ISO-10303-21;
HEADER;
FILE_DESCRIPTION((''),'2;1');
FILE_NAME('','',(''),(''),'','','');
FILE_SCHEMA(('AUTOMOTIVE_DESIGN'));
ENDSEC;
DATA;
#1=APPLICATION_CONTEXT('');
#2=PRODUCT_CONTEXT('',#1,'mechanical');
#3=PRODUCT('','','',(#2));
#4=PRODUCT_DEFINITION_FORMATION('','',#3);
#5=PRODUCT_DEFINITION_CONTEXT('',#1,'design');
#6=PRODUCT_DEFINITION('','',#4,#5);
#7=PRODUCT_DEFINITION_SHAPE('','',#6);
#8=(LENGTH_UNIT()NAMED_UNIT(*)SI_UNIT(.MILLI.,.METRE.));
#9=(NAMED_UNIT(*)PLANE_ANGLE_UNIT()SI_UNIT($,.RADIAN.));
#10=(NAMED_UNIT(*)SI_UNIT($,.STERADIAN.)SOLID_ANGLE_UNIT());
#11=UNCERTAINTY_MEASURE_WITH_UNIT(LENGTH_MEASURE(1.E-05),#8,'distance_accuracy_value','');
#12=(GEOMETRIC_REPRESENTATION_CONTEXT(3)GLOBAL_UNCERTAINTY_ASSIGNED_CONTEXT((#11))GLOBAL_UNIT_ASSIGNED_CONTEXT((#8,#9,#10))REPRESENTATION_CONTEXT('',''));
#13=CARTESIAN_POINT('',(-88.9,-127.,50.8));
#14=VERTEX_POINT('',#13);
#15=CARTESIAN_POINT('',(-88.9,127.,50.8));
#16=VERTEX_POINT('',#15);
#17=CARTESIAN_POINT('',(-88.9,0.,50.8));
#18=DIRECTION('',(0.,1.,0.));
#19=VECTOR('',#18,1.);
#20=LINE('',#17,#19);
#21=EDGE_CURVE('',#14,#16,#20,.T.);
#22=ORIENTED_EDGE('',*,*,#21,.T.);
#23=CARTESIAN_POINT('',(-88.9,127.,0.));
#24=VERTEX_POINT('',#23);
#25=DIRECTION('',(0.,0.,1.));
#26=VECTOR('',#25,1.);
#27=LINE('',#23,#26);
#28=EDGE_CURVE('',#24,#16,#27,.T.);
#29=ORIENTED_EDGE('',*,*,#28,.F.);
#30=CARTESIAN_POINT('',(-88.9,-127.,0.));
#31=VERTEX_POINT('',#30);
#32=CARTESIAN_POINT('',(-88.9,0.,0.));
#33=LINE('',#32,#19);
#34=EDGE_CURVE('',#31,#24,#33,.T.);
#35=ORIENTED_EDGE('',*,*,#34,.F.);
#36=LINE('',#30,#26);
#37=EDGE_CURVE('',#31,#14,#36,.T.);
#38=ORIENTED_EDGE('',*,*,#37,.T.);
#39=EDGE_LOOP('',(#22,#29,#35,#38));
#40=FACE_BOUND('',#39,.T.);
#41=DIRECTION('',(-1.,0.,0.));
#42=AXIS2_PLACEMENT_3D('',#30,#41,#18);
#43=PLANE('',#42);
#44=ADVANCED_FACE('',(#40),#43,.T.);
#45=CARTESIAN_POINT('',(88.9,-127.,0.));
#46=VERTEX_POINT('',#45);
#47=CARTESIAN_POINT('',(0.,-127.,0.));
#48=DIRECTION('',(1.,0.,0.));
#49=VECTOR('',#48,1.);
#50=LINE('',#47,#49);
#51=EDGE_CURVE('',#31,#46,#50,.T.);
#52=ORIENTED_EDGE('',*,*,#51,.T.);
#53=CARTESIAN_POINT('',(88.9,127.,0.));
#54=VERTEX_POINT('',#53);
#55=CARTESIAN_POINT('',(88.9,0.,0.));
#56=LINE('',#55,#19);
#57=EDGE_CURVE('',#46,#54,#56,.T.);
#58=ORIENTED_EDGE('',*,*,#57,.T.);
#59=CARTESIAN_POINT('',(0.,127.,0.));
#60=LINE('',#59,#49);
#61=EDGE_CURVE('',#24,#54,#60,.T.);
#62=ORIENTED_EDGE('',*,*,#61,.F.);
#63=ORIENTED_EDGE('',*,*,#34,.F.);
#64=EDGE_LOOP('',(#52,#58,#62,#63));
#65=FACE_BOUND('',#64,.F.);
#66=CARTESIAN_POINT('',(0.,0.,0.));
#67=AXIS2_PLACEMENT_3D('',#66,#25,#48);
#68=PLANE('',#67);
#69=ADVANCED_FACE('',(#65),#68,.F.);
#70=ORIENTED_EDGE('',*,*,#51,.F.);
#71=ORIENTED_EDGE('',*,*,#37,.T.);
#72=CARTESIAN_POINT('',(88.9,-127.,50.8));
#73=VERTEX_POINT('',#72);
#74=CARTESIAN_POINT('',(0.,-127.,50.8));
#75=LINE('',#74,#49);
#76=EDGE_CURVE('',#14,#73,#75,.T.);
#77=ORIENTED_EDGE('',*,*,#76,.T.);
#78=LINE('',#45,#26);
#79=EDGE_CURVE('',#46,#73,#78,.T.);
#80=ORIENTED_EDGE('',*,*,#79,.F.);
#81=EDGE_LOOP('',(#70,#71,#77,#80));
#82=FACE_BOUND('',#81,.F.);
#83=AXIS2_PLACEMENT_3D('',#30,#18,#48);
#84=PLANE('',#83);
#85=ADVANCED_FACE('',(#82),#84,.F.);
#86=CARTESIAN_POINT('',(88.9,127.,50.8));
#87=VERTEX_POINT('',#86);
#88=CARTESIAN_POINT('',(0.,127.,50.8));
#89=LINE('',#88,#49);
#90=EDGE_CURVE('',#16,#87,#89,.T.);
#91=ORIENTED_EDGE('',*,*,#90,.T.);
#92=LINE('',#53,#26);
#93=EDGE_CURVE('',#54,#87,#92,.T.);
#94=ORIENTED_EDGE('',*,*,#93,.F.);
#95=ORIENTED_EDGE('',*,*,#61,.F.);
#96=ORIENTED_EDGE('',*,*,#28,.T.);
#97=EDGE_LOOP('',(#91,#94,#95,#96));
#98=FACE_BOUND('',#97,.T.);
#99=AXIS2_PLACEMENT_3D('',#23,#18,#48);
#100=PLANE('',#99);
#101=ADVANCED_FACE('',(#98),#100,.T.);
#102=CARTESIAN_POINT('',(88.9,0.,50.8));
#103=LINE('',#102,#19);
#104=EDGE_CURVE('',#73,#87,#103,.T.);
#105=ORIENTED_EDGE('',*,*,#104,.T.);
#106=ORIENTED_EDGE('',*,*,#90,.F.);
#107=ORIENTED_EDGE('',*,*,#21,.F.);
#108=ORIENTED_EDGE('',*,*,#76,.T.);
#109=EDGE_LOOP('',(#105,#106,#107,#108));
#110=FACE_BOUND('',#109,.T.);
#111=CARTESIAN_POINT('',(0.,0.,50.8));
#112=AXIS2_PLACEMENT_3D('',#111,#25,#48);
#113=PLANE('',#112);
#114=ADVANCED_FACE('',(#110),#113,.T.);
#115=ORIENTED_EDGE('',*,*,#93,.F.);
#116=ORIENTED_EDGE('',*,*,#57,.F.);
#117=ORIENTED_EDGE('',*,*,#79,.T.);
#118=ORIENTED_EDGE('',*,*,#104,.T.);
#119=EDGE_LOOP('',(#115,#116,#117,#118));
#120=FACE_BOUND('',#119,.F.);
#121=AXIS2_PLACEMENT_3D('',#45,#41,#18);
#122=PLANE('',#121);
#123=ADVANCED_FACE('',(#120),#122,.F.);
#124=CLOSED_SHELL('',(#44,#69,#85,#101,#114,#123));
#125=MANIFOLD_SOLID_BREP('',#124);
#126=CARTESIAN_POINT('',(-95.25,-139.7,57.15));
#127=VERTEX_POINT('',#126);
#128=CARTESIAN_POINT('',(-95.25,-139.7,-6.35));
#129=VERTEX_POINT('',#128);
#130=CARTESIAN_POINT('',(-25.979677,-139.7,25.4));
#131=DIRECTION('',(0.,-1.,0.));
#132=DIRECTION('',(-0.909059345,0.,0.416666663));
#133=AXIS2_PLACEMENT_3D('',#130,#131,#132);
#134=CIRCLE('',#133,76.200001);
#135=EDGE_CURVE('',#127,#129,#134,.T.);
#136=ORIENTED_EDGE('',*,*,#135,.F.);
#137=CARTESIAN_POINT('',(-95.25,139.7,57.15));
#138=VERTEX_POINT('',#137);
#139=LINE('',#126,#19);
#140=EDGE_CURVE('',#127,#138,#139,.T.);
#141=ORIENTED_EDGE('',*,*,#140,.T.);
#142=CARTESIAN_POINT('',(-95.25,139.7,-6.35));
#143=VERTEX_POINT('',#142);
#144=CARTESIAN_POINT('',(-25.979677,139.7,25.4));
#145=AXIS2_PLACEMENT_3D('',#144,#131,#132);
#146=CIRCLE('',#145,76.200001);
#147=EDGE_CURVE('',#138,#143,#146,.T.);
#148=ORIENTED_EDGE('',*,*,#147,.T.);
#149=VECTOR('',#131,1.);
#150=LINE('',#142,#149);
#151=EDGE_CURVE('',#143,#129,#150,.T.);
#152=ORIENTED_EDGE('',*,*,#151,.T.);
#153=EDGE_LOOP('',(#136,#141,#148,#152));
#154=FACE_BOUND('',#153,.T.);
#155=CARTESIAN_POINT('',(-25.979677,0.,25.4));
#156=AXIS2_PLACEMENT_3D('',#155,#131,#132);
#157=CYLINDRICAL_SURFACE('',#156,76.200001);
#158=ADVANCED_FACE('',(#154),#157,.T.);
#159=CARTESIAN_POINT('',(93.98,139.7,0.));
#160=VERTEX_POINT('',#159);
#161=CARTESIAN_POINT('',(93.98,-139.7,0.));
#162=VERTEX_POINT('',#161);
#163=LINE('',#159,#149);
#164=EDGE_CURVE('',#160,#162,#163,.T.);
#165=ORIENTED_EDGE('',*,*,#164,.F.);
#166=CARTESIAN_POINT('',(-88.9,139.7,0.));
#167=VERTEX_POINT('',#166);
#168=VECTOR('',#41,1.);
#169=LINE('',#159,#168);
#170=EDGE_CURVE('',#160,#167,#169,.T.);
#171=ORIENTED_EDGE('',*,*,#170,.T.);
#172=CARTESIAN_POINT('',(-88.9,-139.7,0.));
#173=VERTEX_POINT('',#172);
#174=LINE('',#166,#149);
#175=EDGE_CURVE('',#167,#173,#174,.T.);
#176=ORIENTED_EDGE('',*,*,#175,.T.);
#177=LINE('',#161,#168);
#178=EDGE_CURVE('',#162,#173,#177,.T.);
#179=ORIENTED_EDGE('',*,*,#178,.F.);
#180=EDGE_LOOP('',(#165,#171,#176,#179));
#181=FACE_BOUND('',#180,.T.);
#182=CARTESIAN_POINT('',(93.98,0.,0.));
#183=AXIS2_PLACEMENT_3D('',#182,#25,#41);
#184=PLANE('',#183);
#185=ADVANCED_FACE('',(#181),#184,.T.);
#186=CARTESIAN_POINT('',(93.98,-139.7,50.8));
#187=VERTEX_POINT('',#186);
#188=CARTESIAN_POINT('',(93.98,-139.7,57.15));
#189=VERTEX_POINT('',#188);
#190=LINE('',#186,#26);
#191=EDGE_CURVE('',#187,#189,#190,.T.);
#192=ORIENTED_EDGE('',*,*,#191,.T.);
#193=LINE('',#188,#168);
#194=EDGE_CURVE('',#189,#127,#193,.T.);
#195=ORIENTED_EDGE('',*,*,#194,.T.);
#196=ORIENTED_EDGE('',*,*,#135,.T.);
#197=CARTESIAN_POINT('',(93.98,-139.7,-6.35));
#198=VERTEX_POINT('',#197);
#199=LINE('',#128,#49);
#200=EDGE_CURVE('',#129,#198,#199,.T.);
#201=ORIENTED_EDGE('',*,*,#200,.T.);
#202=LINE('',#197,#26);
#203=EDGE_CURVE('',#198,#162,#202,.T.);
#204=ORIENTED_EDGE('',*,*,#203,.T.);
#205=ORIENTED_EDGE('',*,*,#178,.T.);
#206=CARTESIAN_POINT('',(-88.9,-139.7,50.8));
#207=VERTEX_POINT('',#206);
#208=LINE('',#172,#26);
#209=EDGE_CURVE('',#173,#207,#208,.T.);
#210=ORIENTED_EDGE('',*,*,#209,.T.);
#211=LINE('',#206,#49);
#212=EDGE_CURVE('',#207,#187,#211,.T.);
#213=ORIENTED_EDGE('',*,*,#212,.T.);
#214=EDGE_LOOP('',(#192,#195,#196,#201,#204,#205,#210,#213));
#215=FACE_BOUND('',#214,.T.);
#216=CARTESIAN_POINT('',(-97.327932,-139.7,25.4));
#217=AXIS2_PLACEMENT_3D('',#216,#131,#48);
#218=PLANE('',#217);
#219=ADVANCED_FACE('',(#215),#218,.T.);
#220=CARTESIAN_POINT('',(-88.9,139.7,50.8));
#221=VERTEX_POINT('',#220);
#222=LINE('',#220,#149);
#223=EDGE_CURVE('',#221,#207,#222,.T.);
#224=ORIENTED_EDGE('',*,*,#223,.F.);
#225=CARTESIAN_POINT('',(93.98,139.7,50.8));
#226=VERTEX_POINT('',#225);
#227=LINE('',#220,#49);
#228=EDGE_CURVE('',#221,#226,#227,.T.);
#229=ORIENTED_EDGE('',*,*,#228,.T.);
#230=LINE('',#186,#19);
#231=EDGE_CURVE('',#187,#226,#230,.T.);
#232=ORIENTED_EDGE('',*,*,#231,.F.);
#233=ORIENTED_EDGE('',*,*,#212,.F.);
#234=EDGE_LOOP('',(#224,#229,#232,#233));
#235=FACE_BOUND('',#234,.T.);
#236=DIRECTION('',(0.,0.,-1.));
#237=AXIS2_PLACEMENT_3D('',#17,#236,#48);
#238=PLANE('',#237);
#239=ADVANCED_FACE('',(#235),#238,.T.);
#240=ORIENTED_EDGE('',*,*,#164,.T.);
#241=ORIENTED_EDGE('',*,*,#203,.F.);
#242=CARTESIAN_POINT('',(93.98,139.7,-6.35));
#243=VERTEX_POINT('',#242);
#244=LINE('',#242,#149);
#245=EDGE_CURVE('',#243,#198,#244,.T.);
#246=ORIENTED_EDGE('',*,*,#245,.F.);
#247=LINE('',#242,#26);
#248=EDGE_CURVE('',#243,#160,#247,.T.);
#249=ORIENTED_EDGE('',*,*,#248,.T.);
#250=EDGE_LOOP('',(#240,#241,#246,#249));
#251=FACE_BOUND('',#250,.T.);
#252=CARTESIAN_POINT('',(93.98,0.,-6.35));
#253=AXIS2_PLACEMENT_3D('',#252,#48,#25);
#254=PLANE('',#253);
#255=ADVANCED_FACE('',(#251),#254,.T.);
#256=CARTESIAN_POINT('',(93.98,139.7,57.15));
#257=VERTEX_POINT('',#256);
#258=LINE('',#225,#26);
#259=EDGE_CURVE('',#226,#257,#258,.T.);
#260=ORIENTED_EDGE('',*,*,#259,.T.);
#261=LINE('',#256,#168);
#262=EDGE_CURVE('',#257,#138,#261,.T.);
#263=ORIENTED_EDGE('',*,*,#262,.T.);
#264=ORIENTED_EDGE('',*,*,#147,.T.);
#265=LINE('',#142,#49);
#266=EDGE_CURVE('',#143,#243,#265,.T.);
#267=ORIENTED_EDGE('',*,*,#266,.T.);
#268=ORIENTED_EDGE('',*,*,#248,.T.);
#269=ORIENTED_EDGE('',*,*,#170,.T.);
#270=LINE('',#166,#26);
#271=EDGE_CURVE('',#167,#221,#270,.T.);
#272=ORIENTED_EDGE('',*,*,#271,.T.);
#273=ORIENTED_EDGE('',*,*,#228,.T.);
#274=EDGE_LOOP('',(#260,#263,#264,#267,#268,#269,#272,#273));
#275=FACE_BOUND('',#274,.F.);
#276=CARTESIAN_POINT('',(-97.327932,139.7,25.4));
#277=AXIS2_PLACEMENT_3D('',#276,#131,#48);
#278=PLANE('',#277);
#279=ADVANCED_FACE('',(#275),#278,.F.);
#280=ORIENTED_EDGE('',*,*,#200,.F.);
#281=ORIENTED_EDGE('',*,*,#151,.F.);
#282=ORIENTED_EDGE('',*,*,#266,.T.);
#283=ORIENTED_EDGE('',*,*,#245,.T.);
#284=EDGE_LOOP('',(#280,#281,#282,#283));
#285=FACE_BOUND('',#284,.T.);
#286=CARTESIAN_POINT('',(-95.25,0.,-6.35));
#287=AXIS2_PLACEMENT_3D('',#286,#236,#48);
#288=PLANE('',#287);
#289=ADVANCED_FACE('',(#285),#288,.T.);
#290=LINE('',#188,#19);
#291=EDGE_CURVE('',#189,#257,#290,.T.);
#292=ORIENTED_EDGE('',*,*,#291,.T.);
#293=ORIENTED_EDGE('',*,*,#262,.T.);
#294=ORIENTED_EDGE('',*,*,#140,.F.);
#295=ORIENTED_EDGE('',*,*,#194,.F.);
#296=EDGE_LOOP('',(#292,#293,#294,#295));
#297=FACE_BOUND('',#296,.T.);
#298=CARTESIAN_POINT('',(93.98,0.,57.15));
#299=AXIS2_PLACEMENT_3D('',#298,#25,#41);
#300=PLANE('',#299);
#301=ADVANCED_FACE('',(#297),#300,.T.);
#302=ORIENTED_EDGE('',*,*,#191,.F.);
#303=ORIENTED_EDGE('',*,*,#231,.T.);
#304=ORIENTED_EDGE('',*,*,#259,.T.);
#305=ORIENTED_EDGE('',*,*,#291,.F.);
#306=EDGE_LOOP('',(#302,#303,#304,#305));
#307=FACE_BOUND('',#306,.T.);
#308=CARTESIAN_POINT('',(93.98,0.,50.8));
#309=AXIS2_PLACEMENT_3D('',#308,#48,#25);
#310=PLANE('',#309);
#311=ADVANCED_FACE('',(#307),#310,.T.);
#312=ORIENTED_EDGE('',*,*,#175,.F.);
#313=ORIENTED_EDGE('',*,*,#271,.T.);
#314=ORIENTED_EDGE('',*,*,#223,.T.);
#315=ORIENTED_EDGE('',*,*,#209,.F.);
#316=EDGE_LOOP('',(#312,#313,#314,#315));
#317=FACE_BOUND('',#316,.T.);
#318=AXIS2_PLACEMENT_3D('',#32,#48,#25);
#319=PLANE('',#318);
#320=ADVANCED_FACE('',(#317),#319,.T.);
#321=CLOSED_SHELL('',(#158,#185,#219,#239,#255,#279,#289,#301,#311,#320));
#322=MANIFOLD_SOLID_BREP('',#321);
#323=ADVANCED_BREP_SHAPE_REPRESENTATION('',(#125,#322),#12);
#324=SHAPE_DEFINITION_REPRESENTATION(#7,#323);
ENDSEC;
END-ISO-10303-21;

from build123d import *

# Parameters (mm, degrees)
F0_W     = 177.8
F0_H     = 254
F1_DEPTH = 50.8
F3_DEPTH = 139.7


with BuildPart() as f1:
    # F0 (on Top) → F1 (new body)
    with BuildSketch(Plane.XY):
        Rectangle(F0_W, F0_H)
    extrude(amount=F1_DEPTH)


with BuildPart() as f3:
    # F2 (on Front) → F3 (new body, symmetric)
    with BuildSketch(Plane.XZ):
        with BuildLine():
            Line((-95.25, -6.35), (-95.25, 57.15))
            ThreePointArc((-95.25, 57.15), (-102.179678, 25.4), (-95.25, -6.35))
        make_face()
        Polygon((88.9, 57.15), (-95.25, 57.15), (-95.25, -6.35), (88.9, -6.35), (93.98, -6.35), (93.98, 0), (88.9, 0), (-88.9, 0), (-88.9, 50.8), (88.9, 50.8), (93.98, 50.8), (93.98, 57.15), align=None)
    extrude(amount=F3_DEPTH, both=True)


solid = Compound([f1.part, f3.part])
